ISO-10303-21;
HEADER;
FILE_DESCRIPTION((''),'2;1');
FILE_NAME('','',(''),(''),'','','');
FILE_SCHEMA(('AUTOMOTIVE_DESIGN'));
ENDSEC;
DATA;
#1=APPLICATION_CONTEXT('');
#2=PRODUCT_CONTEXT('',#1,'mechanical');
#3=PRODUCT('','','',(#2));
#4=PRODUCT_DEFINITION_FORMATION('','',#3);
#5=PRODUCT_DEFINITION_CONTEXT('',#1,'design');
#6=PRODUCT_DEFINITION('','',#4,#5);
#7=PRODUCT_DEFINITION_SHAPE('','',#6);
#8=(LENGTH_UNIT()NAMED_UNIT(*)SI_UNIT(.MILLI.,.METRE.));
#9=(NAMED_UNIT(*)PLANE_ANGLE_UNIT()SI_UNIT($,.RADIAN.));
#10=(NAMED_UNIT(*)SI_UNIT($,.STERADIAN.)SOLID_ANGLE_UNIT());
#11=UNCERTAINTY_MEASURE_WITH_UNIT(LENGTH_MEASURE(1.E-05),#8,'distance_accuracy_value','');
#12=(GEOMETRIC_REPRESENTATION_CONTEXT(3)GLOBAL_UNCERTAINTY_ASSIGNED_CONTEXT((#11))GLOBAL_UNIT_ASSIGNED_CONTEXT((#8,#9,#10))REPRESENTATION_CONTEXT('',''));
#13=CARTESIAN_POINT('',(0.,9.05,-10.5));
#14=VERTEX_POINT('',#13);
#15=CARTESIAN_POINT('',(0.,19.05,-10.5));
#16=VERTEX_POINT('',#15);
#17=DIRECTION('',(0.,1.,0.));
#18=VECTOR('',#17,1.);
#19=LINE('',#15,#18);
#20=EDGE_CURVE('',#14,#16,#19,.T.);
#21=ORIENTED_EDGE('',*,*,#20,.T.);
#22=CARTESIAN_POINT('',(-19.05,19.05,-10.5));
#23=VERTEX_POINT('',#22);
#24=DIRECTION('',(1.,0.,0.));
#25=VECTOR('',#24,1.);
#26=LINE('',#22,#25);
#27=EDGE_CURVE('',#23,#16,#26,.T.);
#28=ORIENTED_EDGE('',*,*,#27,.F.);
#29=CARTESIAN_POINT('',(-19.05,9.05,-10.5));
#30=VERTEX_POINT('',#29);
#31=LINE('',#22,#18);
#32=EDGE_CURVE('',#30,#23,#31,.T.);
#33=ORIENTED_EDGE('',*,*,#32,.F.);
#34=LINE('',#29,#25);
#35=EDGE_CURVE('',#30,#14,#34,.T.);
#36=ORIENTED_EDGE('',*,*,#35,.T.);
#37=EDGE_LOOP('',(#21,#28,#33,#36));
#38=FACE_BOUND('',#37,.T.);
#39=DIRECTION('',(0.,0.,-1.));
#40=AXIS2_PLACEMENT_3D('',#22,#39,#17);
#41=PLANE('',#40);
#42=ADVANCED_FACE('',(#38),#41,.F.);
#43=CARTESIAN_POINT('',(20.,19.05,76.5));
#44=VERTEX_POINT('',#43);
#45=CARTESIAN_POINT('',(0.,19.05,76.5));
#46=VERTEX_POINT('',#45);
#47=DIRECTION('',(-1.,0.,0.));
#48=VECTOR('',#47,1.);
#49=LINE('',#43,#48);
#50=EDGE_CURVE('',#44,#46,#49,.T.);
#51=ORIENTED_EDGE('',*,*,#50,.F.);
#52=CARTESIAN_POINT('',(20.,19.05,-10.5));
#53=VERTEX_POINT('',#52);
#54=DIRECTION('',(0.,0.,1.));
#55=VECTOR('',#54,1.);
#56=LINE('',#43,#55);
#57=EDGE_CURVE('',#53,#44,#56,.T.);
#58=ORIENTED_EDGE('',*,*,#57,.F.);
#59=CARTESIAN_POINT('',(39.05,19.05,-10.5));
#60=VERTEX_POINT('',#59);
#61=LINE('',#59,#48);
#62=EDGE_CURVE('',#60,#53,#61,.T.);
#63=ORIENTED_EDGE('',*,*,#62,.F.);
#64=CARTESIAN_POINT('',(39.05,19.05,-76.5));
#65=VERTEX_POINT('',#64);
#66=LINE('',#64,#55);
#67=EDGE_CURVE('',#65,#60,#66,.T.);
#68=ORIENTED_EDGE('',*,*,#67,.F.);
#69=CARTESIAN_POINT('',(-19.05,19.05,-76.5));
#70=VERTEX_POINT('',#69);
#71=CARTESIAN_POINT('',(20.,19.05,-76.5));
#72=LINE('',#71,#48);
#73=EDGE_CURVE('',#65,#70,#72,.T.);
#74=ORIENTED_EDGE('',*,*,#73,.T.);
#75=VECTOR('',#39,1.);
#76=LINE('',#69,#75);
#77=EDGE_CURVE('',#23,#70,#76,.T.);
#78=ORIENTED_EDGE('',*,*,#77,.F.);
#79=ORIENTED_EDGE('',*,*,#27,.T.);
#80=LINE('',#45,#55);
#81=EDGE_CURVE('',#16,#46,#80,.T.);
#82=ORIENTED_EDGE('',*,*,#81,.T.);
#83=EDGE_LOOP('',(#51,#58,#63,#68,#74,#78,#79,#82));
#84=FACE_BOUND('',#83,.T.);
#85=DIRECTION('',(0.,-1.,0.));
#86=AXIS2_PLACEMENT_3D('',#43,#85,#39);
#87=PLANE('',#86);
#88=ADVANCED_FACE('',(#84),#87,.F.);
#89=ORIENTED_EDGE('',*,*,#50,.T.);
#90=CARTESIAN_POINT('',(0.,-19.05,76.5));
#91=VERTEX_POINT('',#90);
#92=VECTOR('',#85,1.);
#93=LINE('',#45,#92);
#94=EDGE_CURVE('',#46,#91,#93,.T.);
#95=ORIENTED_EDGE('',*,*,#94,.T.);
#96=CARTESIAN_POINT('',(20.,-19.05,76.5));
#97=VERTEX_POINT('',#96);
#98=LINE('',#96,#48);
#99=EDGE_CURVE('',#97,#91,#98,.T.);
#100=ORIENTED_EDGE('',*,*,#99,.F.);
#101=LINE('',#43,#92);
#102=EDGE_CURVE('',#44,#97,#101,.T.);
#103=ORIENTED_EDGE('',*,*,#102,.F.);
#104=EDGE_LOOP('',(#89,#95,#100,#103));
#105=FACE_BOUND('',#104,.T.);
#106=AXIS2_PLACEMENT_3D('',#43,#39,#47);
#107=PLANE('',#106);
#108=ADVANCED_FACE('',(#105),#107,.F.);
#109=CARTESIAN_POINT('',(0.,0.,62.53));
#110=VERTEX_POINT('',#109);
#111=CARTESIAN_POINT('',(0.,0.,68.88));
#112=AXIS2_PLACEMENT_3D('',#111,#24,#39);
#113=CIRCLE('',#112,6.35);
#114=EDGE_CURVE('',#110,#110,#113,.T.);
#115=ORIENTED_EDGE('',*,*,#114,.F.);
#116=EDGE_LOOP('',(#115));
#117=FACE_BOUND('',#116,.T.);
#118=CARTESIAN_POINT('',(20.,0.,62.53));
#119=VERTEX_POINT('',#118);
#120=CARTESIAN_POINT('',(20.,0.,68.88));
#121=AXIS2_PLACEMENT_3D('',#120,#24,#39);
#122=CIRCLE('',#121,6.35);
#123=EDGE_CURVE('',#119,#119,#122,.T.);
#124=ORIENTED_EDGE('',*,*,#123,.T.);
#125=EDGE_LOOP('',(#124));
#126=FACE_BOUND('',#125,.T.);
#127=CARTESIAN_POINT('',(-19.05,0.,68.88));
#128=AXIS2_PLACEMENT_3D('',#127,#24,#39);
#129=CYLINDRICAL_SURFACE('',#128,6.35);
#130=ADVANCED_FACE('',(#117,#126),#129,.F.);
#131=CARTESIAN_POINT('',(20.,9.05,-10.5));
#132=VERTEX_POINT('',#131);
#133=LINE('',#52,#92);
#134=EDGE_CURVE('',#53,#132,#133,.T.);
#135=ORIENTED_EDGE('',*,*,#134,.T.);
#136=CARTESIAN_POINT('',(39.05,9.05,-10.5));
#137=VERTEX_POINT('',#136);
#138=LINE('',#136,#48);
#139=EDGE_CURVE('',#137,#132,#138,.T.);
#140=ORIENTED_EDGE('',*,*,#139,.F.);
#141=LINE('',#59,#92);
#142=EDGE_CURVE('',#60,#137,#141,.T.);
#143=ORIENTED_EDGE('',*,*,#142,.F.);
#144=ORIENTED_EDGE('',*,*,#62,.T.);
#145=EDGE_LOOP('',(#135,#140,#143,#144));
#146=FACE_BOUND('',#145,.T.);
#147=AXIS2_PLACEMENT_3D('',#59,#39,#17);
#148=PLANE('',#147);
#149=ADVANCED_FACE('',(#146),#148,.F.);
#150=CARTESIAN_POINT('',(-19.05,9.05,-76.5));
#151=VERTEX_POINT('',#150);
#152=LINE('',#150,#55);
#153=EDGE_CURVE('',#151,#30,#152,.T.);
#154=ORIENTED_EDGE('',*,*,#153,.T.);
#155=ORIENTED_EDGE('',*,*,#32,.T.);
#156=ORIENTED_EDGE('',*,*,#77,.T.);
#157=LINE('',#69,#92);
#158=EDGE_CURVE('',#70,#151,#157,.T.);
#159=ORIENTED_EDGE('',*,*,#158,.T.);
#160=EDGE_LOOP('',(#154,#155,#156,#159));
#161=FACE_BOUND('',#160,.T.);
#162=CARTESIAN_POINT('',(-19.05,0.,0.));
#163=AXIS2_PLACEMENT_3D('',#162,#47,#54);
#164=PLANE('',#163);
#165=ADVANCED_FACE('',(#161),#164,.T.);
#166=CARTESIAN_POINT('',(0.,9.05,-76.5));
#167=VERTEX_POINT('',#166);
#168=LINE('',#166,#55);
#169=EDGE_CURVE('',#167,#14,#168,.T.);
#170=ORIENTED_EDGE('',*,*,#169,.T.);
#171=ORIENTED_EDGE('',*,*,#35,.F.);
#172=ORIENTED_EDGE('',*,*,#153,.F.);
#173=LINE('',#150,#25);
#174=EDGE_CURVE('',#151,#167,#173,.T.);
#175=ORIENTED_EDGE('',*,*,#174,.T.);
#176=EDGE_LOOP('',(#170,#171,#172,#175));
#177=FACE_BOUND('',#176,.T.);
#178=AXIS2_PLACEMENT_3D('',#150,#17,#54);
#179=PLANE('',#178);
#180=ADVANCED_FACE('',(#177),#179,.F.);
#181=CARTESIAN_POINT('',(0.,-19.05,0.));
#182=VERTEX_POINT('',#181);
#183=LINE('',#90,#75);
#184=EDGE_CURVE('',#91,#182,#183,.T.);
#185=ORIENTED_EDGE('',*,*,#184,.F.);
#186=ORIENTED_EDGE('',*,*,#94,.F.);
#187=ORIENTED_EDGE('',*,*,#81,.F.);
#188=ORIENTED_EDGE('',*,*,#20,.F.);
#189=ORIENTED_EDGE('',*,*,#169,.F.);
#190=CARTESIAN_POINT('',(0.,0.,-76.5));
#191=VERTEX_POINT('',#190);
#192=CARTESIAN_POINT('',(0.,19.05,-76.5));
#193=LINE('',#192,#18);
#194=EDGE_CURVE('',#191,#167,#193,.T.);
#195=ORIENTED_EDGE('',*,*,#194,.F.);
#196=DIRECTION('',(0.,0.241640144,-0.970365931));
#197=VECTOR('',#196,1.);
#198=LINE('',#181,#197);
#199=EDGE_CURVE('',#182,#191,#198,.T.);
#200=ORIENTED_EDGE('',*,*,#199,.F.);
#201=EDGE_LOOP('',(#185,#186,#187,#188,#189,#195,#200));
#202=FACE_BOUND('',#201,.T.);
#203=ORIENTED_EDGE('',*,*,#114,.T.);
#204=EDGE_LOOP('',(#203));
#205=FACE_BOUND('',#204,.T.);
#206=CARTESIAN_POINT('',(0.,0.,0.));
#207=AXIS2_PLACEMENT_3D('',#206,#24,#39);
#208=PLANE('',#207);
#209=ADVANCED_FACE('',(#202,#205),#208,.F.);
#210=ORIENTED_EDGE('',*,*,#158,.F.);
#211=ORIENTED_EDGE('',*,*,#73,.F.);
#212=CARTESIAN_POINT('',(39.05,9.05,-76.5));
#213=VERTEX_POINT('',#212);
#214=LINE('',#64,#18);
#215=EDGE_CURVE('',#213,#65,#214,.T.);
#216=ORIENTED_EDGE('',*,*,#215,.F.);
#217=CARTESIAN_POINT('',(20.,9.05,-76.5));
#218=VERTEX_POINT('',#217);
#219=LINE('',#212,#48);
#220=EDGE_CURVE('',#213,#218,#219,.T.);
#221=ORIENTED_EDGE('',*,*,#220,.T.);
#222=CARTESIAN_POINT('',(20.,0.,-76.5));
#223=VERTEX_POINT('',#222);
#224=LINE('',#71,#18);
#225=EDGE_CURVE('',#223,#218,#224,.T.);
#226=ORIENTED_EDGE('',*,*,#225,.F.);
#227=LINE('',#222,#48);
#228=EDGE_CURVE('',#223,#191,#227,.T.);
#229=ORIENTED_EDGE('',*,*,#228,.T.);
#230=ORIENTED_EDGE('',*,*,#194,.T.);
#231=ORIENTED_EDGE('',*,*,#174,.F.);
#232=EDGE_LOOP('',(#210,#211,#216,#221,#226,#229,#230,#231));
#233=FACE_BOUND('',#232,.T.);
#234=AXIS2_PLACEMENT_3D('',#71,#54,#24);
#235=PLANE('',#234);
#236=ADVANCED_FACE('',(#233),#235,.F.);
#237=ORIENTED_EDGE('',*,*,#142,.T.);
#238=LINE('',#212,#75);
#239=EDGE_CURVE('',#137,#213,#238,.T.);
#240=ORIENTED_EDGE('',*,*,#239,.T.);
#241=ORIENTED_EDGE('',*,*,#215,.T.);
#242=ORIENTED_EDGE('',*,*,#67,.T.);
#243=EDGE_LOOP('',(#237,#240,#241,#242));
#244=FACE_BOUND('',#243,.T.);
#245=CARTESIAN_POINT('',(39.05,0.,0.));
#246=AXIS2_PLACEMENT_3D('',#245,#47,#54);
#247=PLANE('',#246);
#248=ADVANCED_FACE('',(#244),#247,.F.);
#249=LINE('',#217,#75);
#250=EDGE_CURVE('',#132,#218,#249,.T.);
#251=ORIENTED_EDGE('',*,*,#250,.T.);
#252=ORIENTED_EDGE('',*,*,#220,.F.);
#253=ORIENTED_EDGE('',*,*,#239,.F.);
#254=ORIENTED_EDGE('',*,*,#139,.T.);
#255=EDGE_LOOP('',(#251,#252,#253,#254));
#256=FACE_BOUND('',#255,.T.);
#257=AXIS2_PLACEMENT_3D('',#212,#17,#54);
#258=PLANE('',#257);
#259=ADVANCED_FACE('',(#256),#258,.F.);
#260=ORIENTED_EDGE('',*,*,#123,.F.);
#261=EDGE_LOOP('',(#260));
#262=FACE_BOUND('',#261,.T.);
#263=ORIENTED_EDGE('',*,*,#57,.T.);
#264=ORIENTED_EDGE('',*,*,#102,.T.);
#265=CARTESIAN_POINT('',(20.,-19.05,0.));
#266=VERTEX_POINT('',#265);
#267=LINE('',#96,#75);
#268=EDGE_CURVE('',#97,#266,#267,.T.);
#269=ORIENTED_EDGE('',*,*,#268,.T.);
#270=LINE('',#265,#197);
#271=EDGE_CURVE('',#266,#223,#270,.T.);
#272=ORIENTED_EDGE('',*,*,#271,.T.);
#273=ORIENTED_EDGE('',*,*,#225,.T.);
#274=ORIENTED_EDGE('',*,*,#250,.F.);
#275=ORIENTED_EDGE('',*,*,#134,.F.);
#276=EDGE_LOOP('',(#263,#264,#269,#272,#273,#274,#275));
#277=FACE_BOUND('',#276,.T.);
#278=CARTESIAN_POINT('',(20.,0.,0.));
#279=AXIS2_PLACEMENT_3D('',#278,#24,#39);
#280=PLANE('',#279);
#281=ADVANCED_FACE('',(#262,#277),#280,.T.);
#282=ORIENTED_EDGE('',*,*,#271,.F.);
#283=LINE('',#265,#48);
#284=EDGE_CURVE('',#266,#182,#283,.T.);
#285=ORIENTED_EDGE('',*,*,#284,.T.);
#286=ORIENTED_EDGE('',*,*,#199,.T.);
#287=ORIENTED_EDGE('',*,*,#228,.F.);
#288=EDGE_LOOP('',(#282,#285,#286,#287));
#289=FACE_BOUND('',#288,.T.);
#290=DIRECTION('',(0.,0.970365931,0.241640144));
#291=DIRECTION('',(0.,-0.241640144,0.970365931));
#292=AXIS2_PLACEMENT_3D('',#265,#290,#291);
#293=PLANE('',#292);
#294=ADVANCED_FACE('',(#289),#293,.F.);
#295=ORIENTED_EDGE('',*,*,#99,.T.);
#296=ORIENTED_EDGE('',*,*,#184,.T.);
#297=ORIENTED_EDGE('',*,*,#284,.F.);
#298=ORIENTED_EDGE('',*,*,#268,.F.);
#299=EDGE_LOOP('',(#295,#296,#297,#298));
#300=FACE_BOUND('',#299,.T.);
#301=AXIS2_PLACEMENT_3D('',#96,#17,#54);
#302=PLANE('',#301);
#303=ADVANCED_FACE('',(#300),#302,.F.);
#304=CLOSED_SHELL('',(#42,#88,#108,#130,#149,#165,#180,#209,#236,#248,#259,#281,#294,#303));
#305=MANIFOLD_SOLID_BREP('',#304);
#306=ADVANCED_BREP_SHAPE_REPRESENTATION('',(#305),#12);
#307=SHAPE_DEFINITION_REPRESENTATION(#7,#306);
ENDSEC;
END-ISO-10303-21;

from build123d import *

# Parameters (mm, degrees)
BOSS_EXTRUDE1_DEPTH = 20
SKETCH3_W           = 66
SKETCH3_H           = 10
BOSS_EXTRUDE2_DEPTH = 19.05
SKETCH4_W           = 66
SKETCH4_H           = 10
BOSS_EXTRUDE3_DEPTH = 19.05
SKETCH5_R           = 6.35
CUT_EXTRUDE2_DEPTH  = 40.05


with BuildPart() as part:
    # Sketch1 → Boss-Extrude1 (new body)
    with BuildSketch(Plane(origin=(0, 0, 0), x_dir=(0, 0, -1), z_dir=(1, 0, 0))):
        Polygon((0, -19.05), (76.5, 0), (76.5, 19.05), (-76.5, 19.05), (-76.5, -19.05), align=None)
    extrude(amount=BOSS_EXTRUDE1_DEPTH)

    # Sketch3 → Boss-Extrude2 (add)
    with BuildSketch(Plane(origin=(20, 0, 0), x_dir=(0, 0, -1), z_dir=(1, 0, 0))):
        with Locations((43.5, 14.05)):
            Rectangle(SKETCH3_W, SKETCH3_H)
    extrude(amount=BOSS_EXTRUDE2_DEPTH)

    # Sketch4 → Boss-Extrude3 (add)
    with BuildSketch(Plane.ZY):
        with Locations((-43.5, 14.05)):
            Rectangle(SKETCH4_W, SKETCH4_H)
    extrude(amount=BOSS_EXTRUDE3_DEPTH)

    # Sketch5 → Cut-Extrude2 (cut, through all)
    with BuildSketch(Plane(origin=(20, 0, 0), x_dir=(0, 0, -1), z_dir=(1, 0, 0))):
        with Locations((-68.88, 0)):
            Circle(SKETCH5_R)
    extrude(amount=-CUT_EXTRUDE2_DEPTH, mode=Mode.SUBTRACT)


solid = part.part
